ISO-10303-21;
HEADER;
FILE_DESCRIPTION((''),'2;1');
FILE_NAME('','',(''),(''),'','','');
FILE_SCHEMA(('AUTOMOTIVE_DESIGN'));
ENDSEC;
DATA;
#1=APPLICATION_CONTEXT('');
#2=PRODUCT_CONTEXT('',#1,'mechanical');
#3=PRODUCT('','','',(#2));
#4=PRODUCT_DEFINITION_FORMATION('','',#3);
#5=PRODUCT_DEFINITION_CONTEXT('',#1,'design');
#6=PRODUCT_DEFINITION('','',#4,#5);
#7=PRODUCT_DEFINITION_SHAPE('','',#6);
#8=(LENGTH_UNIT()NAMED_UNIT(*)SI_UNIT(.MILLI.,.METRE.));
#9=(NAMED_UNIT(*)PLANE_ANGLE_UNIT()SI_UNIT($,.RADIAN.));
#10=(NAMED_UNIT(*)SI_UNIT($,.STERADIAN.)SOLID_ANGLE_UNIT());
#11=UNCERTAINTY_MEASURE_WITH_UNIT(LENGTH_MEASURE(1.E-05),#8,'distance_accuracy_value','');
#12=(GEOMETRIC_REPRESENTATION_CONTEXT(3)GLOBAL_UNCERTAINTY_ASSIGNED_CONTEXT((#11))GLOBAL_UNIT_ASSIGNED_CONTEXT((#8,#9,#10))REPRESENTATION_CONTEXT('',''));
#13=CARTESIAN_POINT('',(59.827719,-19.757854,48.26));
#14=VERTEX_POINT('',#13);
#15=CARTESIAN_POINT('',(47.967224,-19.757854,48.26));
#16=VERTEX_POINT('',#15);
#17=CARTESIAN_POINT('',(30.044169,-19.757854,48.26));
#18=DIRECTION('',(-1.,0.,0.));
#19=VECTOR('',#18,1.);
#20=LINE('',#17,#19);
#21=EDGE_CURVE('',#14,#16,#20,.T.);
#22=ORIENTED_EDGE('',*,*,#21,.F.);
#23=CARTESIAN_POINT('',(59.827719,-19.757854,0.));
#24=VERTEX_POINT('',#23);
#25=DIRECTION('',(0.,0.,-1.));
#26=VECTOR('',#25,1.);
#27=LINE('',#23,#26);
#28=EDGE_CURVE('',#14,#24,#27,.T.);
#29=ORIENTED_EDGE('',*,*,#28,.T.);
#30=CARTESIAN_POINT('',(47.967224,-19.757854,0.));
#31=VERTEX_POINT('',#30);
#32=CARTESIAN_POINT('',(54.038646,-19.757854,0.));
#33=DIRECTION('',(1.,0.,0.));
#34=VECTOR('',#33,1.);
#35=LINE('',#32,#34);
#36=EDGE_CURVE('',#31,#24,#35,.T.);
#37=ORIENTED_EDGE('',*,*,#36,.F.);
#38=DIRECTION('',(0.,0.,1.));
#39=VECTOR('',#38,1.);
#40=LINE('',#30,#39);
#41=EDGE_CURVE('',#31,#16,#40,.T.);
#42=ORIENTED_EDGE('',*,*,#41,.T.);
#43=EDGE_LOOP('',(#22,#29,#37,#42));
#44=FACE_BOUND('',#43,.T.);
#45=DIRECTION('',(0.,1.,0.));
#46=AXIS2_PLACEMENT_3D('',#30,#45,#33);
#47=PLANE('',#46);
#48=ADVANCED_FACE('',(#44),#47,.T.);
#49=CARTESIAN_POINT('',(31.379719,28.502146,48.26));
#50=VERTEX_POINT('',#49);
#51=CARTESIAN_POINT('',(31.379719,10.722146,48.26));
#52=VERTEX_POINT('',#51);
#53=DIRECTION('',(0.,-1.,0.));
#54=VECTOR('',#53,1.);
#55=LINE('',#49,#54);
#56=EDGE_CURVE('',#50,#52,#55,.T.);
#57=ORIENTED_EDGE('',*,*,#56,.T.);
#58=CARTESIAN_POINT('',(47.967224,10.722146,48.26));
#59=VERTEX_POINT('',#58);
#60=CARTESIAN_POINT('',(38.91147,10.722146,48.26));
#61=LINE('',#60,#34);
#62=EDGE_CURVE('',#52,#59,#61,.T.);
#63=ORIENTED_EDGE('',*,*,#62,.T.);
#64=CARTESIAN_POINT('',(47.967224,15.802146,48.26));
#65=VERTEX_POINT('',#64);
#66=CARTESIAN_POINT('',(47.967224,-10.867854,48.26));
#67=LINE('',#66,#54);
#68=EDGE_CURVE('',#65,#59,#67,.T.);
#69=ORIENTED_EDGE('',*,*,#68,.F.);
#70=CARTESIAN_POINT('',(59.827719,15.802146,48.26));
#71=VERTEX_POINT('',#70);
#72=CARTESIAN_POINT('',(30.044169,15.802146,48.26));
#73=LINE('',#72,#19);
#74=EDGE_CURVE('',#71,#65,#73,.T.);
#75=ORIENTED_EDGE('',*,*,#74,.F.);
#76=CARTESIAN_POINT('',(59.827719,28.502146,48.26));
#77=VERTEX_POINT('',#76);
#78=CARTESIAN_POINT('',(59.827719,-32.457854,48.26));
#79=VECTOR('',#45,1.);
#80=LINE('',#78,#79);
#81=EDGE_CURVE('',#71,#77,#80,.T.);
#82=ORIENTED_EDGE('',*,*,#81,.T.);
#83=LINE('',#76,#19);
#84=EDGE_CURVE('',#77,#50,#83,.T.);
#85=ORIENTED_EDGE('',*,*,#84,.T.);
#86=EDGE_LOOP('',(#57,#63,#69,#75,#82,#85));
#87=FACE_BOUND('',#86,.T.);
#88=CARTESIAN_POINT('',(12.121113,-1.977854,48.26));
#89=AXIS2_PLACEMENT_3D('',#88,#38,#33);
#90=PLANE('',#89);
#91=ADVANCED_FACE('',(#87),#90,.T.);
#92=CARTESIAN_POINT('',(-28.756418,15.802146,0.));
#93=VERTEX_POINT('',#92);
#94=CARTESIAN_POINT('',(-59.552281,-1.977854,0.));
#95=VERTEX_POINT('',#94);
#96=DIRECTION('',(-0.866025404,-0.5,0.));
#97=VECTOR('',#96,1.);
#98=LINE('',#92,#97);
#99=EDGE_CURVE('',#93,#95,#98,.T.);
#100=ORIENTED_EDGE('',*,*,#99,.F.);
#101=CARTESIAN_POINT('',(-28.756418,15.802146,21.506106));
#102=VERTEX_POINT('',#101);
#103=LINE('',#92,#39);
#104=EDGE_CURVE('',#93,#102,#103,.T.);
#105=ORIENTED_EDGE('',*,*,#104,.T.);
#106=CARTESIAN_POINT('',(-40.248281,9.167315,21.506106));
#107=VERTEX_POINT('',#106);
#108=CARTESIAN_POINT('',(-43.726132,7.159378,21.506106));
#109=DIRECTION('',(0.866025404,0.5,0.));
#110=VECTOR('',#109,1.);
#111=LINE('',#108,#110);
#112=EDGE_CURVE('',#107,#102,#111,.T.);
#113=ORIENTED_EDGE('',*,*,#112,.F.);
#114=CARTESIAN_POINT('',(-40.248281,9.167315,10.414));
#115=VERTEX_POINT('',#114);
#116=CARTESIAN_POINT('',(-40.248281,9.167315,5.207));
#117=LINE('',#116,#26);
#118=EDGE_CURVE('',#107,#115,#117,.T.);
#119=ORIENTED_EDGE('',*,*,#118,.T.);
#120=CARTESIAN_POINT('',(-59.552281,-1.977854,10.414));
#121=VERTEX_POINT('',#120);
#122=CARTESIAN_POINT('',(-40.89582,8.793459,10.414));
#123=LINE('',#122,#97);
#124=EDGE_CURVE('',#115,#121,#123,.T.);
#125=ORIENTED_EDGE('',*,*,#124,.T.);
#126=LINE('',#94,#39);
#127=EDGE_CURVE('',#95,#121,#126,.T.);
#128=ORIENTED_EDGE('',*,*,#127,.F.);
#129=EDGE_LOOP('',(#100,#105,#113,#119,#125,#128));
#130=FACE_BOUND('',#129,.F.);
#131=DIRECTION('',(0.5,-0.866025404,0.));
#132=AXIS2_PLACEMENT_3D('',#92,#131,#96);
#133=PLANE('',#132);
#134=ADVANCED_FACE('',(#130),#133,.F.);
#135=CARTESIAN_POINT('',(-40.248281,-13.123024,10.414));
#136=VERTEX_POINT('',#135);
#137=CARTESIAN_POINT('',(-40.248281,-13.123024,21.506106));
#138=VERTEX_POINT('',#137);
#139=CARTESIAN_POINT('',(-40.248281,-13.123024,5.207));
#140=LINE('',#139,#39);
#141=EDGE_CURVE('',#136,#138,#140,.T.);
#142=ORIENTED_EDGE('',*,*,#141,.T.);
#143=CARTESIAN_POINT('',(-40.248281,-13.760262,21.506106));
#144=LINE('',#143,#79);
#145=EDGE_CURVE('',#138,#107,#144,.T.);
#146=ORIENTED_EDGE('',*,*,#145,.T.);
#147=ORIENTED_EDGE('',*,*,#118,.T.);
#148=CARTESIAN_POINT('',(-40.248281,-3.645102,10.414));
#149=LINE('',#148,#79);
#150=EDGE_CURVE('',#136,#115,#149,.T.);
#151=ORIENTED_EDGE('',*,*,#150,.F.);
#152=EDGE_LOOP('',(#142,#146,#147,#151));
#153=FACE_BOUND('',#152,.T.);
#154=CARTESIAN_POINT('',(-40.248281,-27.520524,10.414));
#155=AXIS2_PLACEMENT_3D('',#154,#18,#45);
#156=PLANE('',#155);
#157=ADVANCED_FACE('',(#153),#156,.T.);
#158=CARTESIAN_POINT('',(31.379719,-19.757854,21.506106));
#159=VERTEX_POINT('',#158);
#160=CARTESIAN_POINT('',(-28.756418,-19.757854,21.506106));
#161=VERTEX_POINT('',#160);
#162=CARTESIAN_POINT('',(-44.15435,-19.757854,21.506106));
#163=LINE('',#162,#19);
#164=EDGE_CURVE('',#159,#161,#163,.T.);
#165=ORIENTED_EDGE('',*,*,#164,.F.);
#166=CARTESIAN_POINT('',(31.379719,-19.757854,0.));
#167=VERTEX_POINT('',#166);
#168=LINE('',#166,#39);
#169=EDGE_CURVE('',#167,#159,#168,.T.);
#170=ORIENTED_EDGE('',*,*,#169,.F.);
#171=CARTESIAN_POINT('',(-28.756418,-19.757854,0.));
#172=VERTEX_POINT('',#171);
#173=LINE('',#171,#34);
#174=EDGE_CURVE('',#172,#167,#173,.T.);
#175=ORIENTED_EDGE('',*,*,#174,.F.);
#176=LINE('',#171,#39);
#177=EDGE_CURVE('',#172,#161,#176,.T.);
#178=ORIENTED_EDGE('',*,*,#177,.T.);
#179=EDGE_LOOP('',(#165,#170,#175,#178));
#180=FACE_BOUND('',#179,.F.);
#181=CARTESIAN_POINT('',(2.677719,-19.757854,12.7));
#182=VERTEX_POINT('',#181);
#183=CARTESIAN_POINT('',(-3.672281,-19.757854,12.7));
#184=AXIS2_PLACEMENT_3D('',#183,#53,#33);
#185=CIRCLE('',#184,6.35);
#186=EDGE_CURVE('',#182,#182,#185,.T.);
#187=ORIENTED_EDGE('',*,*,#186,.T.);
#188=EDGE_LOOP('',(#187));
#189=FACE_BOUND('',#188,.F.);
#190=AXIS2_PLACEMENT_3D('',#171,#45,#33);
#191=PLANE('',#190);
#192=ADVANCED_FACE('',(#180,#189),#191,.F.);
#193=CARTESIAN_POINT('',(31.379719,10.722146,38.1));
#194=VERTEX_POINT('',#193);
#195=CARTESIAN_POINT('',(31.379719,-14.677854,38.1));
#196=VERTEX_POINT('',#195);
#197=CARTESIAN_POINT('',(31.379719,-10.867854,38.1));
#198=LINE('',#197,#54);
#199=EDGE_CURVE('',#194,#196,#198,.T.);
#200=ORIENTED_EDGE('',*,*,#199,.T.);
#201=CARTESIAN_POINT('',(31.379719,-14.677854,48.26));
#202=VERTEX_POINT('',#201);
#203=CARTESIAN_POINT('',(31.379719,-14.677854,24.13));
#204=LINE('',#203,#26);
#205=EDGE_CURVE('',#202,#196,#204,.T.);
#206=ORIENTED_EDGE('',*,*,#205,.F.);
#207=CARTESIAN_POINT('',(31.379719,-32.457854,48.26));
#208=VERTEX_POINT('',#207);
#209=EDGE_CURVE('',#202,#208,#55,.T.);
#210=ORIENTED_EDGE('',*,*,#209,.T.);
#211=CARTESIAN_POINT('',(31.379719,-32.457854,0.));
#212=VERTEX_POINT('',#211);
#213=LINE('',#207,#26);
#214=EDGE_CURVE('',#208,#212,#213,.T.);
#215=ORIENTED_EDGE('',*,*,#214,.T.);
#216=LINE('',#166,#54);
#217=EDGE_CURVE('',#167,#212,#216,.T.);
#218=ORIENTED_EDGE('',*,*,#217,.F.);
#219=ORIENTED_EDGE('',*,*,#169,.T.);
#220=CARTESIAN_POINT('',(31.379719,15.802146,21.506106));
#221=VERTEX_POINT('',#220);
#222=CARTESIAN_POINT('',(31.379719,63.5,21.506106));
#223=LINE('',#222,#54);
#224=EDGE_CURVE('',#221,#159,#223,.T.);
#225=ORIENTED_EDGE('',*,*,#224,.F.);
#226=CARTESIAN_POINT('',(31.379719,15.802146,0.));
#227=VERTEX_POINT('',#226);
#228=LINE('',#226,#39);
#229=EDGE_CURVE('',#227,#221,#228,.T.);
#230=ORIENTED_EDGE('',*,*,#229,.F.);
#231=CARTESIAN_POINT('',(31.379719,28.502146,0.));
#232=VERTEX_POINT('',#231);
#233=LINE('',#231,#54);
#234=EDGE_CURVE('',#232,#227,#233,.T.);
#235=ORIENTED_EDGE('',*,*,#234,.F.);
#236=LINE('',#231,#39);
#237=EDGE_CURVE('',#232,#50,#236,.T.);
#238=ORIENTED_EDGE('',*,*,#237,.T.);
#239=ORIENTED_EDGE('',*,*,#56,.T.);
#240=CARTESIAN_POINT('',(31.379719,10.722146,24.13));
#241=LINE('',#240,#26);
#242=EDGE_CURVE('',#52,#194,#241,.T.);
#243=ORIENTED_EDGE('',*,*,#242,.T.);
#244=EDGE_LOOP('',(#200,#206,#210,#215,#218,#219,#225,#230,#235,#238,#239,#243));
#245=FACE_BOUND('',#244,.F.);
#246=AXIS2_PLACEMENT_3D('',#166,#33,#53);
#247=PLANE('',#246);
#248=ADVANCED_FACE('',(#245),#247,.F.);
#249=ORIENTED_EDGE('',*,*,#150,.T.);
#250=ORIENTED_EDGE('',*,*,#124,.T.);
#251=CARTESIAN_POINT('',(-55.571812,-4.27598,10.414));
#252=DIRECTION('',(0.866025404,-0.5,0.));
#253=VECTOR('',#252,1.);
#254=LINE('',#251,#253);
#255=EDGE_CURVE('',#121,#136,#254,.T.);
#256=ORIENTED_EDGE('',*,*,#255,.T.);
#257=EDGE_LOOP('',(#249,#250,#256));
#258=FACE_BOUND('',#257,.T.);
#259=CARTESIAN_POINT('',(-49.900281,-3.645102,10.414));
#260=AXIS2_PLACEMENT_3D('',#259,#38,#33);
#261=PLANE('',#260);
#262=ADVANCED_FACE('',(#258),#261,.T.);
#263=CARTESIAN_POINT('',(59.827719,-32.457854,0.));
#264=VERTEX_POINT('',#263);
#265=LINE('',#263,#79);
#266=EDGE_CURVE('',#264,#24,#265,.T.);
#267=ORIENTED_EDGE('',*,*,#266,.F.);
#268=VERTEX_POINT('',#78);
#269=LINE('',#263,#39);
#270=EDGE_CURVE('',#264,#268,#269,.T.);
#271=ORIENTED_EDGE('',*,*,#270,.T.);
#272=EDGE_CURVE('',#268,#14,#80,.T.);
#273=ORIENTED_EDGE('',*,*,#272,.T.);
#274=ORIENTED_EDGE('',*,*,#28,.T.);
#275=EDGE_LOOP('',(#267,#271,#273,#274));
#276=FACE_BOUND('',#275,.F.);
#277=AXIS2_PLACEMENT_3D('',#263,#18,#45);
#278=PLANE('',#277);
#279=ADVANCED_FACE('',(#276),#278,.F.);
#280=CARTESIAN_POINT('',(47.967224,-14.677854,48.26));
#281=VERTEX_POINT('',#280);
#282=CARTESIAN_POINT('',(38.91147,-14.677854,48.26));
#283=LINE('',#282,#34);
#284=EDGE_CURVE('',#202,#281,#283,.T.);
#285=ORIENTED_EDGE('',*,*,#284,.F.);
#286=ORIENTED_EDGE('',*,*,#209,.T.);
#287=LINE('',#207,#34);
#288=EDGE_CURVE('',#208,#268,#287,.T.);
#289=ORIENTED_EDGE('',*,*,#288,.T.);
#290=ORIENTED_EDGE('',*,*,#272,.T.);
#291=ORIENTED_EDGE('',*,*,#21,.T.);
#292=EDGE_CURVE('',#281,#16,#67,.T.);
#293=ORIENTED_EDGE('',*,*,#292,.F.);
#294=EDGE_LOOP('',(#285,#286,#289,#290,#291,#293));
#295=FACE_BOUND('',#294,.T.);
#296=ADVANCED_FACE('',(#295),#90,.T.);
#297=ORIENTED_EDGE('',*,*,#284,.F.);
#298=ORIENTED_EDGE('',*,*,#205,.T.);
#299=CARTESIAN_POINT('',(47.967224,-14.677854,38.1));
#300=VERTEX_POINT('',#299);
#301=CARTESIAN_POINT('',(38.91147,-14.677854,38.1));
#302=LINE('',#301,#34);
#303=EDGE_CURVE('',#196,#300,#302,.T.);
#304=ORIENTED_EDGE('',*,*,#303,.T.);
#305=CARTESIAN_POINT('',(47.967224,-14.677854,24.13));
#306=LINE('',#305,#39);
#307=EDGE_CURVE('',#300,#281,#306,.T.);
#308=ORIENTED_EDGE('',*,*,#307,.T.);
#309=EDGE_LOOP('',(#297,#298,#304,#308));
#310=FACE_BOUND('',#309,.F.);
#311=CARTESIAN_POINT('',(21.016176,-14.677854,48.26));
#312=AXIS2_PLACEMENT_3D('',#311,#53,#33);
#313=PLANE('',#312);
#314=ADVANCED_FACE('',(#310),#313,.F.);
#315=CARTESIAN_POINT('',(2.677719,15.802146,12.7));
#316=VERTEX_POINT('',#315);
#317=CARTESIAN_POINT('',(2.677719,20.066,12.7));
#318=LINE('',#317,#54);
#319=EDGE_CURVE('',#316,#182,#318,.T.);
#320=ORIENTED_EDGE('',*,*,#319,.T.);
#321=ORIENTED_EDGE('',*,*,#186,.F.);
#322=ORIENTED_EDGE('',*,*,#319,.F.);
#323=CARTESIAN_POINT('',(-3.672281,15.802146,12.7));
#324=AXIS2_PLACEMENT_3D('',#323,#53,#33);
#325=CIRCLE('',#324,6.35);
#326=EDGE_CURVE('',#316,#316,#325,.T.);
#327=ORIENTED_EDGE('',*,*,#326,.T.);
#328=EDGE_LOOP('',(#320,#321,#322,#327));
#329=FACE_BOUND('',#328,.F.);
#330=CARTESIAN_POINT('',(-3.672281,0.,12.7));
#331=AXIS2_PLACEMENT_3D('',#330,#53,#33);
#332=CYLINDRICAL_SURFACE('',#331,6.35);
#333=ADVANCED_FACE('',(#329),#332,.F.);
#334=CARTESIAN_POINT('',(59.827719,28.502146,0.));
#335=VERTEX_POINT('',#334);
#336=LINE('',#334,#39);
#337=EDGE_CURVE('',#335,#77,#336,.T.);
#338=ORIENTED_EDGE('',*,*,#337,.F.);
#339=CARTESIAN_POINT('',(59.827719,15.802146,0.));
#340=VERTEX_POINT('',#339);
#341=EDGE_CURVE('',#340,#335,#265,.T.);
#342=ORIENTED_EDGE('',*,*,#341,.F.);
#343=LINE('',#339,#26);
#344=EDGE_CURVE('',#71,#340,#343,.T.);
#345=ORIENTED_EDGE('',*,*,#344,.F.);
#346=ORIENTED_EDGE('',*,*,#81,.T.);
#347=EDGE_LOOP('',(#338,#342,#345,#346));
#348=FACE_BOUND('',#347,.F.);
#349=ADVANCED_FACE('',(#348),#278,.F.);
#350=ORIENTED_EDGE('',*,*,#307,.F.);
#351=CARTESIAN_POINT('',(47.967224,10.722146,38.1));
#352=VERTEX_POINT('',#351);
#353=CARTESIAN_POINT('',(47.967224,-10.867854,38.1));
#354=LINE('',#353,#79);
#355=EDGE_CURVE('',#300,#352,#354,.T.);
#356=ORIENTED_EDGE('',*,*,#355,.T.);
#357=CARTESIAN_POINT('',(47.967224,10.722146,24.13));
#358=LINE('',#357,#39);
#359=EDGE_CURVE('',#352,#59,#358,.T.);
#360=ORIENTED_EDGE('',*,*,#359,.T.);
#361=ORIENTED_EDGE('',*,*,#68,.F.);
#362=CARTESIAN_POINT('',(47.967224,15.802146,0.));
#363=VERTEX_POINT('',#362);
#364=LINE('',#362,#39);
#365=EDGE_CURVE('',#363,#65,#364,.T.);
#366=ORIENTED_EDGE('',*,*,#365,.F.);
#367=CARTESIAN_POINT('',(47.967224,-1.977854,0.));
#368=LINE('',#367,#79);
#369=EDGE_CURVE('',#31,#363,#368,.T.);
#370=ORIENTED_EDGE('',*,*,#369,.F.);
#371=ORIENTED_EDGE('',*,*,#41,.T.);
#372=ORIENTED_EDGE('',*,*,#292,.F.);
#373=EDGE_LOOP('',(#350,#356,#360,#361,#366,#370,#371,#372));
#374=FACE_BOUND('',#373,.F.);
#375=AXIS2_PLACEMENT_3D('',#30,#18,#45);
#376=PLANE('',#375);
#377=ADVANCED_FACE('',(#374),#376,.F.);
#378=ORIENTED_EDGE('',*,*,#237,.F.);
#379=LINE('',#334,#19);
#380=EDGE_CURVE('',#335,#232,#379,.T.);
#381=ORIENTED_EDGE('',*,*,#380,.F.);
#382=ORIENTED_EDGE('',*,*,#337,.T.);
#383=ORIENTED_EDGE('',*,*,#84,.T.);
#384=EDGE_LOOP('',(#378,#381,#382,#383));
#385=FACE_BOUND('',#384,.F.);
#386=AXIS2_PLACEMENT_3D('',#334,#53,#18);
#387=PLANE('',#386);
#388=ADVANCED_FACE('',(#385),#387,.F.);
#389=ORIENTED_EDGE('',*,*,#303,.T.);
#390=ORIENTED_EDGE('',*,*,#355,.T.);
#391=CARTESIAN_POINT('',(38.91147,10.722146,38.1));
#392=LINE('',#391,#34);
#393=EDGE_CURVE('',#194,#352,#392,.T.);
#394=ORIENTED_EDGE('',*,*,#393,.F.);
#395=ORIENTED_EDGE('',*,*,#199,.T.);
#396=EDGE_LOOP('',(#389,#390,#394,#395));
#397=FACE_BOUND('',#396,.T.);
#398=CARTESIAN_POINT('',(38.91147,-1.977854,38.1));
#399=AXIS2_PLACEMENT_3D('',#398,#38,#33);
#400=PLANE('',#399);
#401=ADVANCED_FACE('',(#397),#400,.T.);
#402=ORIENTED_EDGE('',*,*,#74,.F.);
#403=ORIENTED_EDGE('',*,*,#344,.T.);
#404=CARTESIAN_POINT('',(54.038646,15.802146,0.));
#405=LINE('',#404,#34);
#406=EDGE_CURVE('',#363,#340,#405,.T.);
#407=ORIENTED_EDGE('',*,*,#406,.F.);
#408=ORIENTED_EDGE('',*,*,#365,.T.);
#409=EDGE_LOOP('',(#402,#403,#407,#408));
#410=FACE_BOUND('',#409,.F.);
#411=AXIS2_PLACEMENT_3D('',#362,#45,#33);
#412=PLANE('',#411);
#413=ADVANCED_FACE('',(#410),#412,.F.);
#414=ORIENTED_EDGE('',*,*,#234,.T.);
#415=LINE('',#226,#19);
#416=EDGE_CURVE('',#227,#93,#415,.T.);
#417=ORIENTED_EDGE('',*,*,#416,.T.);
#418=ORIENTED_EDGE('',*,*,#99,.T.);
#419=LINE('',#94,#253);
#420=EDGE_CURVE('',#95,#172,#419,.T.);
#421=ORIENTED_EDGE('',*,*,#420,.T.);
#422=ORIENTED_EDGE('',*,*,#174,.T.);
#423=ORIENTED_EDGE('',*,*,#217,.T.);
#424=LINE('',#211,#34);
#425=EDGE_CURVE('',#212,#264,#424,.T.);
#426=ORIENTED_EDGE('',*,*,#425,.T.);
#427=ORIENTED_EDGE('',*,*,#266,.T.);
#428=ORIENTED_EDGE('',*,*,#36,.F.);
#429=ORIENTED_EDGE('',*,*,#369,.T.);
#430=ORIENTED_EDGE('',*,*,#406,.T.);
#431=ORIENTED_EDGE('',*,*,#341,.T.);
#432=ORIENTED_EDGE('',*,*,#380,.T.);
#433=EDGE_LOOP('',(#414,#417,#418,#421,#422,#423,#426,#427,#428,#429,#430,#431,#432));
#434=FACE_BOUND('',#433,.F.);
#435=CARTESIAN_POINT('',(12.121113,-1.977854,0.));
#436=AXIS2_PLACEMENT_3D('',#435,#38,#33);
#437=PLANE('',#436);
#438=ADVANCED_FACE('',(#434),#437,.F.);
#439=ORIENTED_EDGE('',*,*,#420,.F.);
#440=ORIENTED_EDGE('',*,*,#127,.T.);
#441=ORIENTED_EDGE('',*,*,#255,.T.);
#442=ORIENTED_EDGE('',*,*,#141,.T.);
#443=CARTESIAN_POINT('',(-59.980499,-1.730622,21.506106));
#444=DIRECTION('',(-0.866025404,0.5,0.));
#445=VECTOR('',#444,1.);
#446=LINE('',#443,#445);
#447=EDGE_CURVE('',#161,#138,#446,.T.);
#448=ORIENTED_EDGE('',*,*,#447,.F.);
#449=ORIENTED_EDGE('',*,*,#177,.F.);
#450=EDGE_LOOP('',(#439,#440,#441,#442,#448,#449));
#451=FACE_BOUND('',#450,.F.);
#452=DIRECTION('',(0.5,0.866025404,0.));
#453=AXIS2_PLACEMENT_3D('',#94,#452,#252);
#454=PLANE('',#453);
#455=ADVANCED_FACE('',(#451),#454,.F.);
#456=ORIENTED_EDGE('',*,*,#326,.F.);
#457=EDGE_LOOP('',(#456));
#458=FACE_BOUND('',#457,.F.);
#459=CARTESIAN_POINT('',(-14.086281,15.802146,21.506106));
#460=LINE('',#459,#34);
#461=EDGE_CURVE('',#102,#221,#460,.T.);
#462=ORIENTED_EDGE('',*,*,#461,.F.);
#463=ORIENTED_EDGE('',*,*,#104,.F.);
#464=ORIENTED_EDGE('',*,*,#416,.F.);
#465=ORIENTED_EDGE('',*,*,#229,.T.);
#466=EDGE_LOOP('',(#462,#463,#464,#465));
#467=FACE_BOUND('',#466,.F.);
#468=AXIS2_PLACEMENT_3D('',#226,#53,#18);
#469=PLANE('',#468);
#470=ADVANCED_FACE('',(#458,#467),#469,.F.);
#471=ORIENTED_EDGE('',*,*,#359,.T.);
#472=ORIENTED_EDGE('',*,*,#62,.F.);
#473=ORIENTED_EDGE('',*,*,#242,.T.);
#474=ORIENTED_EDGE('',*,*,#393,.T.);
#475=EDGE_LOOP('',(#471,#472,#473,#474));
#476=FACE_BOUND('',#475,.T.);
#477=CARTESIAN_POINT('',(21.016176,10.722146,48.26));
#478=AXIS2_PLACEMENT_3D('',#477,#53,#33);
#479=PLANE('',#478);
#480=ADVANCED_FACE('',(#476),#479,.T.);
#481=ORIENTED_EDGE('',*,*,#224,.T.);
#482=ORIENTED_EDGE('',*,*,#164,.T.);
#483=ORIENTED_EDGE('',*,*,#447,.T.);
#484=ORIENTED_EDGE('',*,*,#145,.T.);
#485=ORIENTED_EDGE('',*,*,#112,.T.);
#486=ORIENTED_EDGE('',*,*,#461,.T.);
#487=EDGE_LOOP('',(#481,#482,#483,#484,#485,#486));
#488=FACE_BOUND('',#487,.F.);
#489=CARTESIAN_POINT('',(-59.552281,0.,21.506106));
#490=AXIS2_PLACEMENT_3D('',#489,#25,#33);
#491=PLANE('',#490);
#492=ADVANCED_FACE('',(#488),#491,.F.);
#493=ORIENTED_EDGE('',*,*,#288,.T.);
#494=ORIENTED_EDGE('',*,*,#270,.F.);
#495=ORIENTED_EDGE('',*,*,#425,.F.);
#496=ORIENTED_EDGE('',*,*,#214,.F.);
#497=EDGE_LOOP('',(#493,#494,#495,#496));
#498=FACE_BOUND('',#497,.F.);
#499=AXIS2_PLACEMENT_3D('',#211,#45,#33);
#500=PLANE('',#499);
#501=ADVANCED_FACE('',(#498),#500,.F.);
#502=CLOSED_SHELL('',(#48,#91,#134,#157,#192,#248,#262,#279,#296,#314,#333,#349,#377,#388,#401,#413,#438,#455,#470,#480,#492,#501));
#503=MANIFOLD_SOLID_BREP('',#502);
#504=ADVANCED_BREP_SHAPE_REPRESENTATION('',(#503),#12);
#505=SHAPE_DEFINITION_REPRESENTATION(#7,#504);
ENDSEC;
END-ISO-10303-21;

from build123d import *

# Parameters (mm, degrees)
F1_DEPTH  = 48.26
F2_R      = 6.35
F3_DEPTH  = 20.066
F4_W      = 90.932
F4_H      = 26.7915036529
F5_DEPTH  = 63.5
F6_W      = 12.1428427496
F6_H      = 35.56
F7_DEPTH  = 70.866
F8_W      = 35.7905875854
F8_H      = 25.4
F9_DEPTH  = 10.16
F11_START = 10.414
F10_W     = 19.304
F10_H     = 47.7508436888
F11_DEPTH = 11.176


with BuildPart() as f1:
    # F0 (on Top) → F1 (new body)
    with BuildSketch(Plane.XY):
        Polygon((59.8277186039, -32.457854175), (59.8277186039, 28.502145825), (31.3797186039, 28.502145825), (31.3797186039, 15.802145825), (-28.7564180376, 15.802145825), (-59.5522813961, -1.977854175), (-28.7564180376, -19.757854175), (31.3797186039, -19.757854175), (31.3797186039, -32.457854175), align=None)
    extrude(amount=F1_DEPTH)

    # F2 (on Front) → F3 (cut, symmetric)
    with BuildSketch(Plane.XZ):
        with Locations((-3.6722813961, 12.7)):
            Circle(F2_R)
    extrude(amount=F3_DEPTH, both=True, mode=Mode.SUBTRACT)

    # F4 (on Front) → F5 (cut, symmetric)
    with BuildSketch(Plane.XZ):
        with Locations((-14.0862813961, 34.9018583074)):
            Rectangle(F4_W, F4_H)
    extrude(amount=F5_DEPTH, both=True, mode=Mode.SUBTRACT)

    # F6 (on Top) → F7 (cut)
    with BuildSketch(Plane.XY):
        with Locations((54.0386456996, -1.977854175)):
            Rectangle(F6_W, F6_H)
    extrude(amount=F7_DEPTH, mode=Mode.SUBTRACT)

    # F8 (on face) → F9 (cut)
    with BuildSketch(Plane.XY.offset(48.26)):
        with Locations((38.911470212, -1.977854175)):
            Rectangle(F8_W, F8_H)
    extrude(amount=-F9_DEPTH, mode=Mode.SUBTRACT)

    # F10 (on Top) → F11 (cut)
    with BuildSketch(Plane.XY.offset(F11_START)):
        with Locations((-49.9002813961, -3.6451024935)):
            Rectangle(F10_W, F10_H)
    extrude(amount=F11_DEPTH, mode=Mode.SUBTRACT)


solid = f1.part
